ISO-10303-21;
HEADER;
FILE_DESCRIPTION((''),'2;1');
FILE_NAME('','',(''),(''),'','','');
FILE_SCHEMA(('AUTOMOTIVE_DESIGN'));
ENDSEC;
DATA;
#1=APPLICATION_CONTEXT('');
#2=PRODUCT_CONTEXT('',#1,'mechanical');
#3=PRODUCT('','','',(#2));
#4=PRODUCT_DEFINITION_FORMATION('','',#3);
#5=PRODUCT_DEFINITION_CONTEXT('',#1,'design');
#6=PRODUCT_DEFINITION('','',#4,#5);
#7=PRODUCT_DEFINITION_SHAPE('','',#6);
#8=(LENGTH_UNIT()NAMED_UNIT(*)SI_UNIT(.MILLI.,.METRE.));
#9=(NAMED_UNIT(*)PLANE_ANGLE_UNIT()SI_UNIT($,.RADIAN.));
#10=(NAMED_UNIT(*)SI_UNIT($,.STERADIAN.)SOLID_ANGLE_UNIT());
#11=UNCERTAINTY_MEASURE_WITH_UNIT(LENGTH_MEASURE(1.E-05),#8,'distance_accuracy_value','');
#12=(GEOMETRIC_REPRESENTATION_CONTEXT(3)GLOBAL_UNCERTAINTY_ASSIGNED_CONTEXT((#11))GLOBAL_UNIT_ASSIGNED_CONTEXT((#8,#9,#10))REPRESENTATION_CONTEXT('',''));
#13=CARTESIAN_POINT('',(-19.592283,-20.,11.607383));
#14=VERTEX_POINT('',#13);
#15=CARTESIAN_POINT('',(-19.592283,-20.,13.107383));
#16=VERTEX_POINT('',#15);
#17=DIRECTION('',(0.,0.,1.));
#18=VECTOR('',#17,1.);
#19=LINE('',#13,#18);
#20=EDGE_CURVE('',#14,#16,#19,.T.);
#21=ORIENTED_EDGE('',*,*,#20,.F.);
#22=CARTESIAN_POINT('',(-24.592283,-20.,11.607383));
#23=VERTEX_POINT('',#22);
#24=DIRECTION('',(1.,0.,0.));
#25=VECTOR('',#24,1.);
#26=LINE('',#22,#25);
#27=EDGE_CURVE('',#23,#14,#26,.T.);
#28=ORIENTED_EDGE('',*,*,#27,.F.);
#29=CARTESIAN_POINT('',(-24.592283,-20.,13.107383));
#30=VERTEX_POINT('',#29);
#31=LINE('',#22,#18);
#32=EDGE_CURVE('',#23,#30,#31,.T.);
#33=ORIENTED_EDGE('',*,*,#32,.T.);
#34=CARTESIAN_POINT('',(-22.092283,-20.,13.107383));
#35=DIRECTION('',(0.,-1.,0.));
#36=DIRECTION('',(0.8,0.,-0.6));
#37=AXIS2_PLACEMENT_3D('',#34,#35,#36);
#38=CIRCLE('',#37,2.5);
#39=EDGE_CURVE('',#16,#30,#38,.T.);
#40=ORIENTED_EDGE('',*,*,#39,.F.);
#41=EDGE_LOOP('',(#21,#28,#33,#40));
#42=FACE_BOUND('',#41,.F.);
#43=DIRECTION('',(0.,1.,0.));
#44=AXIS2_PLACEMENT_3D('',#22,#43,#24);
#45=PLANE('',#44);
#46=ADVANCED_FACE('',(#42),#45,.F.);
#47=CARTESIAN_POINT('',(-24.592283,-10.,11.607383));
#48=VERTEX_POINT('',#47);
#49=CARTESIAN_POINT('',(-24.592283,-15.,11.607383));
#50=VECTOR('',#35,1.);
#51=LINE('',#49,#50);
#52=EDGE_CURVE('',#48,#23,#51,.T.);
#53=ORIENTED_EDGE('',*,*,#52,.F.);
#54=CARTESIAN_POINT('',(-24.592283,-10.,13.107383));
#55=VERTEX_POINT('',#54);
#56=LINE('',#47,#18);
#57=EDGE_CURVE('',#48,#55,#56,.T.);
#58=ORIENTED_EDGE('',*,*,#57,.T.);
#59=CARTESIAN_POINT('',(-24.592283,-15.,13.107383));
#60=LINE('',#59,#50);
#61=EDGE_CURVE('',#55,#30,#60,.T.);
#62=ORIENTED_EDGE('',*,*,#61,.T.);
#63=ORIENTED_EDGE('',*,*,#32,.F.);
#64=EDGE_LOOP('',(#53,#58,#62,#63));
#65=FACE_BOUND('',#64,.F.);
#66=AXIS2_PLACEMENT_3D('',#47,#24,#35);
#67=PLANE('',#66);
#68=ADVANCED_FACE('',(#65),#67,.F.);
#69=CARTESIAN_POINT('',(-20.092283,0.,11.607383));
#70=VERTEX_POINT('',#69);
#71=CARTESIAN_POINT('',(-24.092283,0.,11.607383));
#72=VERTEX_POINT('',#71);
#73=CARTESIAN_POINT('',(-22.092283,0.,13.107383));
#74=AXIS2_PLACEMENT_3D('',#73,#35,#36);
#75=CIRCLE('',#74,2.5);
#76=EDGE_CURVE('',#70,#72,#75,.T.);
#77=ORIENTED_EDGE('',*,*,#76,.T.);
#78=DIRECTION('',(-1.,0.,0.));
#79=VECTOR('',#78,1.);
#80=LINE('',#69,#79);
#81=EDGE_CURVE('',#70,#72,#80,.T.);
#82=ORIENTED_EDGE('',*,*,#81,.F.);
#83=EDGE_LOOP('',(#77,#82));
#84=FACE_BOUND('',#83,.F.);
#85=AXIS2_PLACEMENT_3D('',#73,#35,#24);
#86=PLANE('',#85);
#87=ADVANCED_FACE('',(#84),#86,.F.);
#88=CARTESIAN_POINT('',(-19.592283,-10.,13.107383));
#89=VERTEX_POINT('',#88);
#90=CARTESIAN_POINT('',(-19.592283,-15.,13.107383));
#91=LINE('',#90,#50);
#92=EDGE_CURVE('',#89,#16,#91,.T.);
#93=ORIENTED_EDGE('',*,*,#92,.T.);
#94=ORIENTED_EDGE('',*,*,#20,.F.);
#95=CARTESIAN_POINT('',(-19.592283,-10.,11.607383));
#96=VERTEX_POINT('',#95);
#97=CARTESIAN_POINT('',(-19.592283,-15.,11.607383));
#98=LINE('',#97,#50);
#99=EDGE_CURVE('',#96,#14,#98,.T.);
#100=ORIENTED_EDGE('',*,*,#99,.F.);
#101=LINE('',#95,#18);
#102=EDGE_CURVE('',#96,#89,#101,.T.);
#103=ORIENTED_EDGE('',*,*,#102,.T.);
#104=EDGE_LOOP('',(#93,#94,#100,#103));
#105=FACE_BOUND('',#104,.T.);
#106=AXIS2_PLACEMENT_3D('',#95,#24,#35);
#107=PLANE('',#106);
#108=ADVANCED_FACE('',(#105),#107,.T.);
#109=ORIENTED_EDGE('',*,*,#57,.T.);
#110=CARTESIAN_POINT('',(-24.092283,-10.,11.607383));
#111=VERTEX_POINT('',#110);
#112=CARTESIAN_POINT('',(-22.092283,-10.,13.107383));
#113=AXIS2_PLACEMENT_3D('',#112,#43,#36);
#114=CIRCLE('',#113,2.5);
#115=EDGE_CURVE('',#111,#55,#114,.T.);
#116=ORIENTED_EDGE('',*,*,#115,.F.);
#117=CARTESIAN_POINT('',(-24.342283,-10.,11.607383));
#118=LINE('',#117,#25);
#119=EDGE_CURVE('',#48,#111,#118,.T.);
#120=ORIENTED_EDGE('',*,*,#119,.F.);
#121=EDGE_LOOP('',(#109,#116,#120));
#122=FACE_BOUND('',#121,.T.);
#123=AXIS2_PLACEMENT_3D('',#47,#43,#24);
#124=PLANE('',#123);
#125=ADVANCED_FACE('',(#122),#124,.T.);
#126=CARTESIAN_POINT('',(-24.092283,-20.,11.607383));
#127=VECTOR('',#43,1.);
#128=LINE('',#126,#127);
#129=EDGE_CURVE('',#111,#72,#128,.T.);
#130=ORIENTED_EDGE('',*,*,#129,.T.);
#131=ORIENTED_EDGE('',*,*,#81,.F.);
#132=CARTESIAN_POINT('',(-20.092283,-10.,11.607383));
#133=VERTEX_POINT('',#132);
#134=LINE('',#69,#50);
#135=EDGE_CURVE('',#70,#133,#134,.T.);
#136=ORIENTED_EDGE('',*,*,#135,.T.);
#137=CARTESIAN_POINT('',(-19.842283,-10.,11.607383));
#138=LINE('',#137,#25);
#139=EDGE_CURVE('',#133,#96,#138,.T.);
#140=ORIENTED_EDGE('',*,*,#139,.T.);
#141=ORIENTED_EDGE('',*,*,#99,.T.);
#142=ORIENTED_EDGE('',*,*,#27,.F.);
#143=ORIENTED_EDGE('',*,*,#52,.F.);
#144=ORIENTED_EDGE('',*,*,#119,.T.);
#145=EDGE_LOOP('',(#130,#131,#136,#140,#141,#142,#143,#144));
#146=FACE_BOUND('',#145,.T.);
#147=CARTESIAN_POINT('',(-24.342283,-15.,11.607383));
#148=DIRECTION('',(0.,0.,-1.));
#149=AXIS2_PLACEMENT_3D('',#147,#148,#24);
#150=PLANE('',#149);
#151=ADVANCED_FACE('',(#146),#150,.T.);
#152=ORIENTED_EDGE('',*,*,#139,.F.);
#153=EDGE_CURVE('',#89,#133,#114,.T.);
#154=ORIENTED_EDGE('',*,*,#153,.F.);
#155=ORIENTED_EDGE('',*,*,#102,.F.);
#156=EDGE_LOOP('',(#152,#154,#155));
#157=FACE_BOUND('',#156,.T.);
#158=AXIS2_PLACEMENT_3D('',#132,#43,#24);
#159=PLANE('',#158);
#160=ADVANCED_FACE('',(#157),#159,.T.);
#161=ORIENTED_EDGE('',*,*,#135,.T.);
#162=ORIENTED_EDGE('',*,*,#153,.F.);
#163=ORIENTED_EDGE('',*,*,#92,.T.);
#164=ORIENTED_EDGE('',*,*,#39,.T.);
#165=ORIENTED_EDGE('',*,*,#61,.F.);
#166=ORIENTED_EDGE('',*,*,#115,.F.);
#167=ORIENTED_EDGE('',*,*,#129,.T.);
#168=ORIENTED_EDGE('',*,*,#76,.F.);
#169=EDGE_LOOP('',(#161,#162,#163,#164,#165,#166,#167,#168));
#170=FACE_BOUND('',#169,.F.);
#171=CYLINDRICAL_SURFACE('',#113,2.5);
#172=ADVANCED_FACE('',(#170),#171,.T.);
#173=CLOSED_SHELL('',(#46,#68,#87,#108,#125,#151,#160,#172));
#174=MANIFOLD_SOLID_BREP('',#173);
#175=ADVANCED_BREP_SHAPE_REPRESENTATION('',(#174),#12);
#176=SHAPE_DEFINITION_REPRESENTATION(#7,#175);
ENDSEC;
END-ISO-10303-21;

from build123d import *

# Parameters (mm, degrees)
F0_R     = 2.5
F1_DEPTH = 10
F3_DEPTH = 10
F4_DEPTH = 10
F5_W     = 0.5
F5_H     = 10
F6_DEPTH = 1.5


with BuildPart() as f1:
    # F0 (on Front) → F1 (new body)
    with BuildSketch(Plane.XZ):
        with Locations((-22.092283, 13.107383)):
            Circle(F0_R)
    extrude(amount=F1_DEPTH)

    # F2 (on face) → F3 (cut)
    with BuildSketch(Plane.XZ.offset(10)):
        with BuildLine():
            Line((-20.092283, 11.607383), (-24.092283, 11.607383))
            ThreePointArc((-24.092283, 11.607383), (-22.092283, 10.607383), (-20.092283, 11.607383))
        make_face()
    extrude(amount=-F3_DEPTH, mode=Mode.SUBTRACT)

    # F1_face (on face) → F4 (join)
    with BuildSketch(Plane(origin=(-22.092283, -10, 13.107383), x_dir=(1, 0, 0), z_dir=(0, -1, 0))):
        with BuildLine():
            Line((-2, -1.5), (2, -1.5))
            ThreePointArc((2, -1.5), (0, 2.5), (-2, -1.5))
        make_face()
    extrude(amount=F4_DEPTH)

    # F5 (on face) → F6 (join)
    with BuildSketch(Plane(origin=(0, 0, 11.607383), x_dir=(1, 0, 0), z_dir=(0, 0, -1))):
        with Locations((-24.342283, 15)):
            Rectangle(F5_W, F5_H)
        with Locations((-19.842283, 15)):
            Rectangle(F5_W, F5_H)
    extrude(amount=-F6_DEPTH)


solid = f1.part
